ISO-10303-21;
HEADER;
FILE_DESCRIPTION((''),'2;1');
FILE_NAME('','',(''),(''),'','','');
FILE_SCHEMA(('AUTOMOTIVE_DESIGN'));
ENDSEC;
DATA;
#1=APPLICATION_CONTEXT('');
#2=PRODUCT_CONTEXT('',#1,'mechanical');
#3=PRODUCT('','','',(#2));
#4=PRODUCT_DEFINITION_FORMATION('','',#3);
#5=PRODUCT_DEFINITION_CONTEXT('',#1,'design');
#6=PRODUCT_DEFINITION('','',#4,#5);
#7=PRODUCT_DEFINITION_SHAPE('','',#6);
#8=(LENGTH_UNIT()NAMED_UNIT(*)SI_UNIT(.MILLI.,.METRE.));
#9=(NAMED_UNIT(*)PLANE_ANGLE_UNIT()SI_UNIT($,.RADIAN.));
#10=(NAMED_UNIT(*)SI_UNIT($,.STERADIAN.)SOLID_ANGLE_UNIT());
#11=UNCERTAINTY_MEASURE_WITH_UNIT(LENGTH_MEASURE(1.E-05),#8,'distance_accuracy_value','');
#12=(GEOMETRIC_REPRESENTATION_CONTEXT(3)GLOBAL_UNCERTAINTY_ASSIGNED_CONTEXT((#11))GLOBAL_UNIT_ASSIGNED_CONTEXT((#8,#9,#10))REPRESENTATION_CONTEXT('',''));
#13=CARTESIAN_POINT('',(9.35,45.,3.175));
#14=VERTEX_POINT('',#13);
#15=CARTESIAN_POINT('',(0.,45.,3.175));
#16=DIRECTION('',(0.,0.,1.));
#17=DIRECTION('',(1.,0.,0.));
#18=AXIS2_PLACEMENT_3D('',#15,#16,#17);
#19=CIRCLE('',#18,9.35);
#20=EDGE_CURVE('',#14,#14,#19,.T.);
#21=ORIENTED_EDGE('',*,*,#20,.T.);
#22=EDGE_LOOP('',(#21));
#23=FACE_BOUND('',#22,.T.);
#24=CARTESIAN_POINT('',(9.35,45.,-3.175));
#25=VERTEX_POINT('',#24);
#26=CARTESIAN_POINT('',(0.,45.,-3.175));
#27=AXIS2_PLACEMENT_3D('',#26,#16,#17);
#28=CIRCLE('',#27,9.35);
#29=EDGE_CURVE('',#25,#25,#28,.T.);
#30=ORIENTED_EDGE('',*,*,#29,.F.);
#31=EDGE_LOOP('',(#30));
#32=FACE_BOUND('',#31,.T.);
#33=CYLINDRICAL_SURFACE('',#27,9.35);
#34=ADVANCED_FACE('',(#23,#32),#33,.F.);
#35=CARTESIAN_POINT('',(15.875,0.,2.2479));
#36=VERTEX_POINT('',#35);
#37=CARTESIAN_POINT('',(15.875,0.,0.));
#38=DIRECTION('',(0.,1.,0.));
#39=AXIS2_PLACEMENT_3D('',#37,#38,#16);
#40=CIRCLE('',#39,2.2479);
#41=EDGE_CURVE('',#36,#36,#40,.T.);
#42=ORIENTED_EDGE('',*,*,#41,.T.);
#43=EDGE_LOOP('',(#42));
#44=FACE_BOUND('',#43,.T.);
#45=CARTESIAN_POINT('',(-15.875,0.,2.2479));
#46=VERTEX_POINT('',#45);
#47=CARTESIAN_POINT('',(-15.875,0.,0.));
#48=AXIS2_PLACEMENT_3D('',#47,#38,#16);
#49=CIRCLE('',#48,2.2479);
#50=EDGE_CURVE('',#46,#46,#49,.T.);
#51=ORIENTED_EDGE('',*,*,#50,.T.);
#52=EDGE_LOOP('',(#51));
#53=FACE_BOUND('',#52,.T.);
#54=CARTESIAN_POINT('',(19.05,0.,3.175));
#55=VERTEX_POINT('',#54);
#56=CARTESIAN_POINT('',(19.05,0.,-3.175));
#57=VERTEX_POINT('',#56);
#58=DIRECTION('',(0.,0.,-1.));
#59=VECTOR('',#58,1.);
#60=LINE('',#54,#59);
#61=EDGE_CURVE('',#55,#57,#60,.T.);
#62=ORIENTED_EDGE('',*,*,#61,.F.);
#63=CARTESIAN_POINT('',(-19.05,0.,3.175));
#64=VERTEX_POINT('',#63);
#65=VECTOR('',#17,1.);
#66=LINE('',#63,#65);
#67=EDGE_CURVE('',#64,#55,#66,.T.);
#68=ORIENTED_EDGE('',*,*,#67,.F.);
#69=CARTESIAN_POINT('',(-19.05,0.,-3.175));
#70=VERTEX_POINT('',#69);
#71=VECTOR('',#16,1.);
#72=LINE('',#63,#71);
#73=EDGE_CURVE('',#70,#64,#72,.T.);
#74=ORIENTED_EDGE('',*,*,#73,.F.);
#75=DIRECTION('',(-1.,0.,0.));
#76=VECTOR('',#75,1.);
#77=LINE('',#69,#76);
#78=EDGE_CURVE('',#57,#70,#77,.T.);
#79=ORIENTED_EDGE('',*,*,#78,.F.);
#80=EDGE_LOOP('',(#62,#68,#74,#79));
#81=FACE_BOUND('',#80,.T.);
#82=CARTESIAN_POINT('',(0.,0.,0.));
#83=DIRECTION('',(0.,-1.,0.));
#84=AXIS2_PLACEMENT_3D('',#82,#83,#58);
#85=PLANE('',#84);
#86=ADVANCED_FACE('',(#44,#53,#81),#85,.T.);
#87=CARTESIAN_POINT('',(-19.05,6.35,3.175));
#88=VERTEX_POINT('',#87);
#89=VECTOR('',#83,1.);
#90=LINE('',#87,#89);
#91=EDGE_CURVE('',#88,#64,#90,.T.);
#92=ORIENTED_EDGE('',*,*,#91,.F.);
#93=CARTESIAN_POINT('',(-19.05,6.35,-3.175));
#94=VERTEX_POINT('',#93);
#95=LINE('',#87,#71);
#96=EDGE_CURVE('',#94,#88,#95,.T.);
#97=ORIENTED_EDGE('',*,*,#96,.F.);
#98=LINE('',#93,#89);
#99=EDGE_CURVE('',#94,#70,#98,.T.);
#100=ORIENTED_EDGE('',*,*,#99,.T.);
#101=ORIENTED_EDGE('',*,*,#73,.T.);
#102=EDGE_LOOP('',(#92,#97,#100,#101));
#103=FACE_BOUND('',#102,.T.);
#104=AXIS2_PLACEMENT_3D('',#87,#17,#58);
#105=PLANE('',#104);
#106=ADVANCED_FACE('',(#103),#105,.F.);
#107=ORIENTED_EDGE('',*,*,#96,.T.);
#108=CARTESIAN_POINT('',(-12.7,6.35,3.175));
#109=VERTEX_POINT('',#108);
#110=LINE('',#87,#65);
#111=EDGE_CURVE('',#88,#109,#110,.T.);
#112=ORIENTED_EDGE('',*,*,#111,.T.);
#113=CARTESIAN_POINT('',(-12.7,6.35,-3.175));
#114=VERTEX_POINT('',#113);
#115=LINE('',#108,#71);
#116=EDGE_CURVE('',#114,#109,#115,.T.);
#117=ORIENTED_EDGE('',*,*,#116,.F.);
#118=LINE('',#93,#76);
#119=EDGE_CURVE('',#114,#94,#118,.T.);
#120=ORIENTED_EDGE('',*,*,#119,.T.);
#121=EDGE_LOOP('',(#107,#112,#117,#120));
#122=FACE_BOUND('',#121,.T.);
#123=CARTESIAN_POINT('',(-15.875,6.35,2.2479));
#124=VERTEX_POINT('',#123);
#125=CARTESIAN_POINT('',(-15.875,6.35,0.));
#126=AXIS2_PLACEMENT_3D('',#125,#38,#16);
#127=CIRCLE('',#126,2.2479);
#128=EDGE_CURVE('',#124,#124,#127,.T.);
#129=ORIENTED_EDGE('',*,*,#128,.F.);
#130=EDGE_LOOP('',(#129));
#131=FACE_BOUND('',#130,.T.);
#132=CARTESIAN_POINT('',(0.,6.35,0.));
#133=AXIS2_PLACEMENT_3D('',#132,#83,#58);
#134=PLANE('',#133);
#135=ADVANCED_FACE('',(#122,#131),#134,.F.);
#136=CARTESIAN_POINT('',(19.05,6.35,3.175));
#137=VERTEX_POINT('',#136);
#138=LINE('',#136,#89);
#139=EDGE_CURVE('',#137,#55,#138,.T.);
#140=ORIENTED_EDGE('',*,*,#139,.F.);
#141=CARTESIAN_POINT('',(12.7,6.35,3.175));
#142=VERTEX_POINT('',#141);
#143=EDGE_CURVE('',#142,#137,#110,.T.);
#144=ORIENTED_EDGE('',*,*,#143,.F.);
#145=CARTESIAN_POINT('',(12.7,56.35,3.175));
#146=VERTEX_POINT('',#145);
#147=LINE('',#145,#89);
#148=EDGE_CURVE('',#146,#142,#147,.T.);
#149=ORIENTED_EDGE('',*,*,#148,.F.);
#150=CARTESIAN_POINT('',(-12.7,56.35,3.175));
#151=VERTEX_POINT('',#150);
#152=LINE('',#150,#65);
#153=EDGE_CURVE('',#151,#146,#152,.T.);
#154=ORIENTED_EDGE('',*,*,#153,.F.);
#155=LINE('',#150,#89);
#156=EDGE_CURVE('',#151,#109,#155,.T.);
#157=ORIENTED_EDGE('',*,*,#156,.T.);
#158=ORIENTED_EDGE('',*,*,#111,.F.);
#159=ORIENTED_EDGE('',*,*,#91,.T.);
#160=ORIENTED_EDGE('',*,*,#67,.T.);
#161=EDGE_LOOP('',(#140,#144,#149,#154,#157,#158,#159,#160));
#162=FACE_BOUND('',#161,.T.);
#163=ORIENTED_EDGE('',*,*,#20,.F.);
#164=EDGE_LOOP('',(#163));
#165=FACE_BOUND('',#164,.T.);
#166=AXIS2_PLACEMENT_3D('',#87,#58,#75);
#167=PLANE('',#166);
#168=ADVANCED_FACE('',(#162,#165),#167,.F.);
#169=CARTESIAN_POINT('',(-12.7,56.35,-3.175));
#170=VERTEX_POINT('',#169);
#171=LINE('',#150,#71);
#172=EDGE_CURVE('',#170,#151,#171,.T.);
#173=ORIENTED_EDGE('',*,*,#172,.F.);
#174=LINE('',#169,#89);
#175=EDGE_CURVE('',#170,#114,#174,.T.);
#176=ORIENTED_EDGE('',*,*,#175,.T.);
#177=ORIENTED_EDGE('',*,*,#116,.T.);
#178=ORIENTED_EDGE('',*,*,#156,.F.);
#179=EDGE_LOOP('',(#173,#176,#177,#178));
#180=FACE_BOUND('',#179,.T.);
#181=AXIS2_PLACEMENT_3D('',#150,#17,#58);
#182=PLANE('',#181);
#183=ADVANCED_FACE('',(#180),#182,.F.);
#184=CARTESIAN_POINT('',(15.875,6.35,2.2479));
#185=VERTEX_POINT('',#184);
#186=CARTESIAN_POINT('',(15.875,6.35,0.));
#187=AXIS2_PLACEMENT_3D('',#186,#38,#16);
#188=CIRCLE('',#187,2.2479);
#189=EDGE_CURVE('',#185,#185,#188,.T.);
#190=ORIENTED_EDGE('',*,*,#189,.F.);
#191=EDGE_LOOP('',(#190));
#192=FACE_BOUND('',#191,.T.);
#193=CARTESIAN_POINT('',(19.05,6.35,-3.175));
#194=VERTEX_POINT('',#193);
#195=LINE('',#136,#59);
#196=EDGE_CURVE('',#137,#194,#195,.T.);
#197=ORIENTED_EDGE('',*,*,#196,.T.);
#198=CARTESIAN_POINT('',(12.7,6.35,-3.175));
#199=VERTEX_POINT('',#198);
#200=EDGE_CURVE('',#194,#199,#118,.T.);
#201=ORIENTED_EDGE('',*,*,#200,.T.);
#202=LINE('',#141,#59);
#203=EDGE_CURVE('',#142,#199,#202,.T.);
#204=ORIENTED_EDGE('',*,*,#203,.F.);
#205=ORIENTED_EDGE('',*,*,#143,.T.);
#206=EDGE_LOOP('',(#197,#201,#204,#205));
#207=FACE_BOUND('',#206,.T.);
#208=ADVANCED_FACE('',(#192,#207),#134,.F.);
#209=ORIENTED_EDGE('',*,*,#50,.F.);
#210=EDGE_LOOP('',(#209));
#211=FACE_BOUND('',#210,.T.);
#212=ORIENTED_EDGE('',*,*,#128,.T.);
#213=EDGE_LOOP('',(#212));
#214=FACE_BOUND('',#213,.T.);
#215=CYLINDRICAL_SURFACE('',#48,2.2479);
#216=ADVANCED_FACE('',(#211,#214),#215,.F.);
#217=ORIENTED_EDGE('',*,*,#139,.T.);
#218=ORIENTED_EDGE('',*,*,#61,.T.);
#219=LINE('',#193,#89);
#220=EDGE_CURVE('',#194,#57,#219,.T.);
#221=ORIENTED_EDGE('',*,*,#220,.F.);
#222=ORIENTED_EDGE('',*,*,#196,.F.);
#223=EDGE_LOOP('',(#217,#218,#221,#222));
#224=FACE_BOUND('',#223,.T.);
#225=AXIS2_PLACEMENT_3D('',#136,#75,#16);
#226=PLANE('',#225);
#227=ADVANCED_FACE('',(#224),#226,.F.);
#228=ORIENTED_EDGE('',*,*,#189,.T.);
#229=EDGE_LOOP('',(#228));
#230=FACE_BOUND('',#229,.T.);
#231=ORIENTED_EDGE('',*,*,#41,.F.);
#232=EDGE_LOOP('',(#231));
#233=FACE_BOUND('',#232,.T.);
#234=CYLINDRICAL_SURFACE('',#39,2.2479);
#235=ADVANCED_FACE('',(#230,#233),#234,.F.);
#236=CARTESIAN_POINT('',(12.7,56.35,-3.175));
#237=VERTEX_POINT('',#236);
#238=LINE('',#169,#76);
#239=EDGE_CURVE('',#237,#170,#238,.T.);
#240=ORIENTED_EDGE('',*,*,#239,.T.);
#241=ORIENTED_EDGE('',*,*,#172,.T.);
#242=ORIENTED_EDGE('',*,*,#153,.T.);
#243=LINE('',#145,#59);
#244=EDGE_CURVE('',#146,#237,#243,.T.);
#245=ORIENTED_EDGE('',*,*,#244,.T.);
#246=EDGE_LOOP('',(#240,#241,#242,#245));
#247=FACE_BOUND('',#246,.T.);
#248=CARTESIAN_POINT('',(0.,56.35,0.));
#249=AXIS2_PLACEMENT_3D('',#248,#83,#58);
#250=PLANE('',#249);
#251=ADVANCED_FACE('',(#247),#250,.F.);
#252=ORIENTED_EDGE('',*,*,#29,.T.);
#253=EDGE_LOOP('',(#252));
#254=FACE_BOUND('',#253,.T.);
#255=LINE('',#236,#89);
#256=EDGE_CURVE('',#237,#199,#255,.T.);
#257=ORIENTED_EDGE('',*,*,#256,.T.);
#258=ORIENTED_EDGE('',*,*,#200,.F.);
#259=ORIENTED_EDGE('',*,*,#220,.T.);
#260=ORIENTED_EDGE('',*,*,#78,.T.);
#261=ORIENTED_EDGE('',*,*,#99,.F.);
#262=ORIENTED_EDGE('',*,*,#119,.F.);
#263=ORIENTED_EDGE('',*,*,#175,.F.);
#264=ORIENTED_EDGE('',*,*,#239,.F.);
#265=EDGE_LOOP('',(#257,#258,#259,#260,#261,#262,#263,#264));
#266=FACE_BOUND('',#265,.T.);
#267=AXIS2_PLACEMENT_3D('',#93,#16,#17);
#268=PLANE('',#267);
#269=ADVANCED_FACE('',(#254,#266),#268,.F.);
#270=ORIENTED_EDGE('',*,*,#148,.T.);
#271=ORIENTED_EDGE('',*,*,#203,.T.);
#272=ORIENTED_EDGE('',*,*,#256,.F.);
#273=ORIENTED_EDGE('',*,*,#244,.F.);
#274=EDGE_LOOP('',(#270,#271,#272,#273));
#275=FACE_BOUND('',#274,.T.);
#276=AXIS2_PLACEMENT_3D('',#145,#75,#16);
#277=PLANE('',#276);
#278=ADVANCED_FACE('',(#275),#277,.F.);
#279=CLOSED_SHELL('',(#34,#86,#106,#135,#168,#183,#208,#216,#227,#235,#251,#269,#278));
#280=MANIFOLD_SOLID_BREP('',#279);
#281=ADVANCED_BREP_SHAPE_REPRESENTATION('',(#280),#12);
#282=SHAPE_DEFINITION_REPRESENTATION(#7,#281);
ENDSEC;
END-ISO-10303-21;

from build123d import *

# Parameters (mm, degrees)
SKETCH1_W           = 38.1
SKETCH1_H           = 6.35
BOSS_EXTRUDE1_DEPTH = 6.35
SKETCH3_W           = 25.4
SKETCH3_H           = 6.35
BOSS_EXTRUDE2_DEPTH = 50
SKETCH6_R           = 9.35
CUT_EXTRUDE3_DEPTH  = 60.820962045
SKETCH4_R           = 2.2479
CUT_EXTRUDE1_DEPTH  = 54.600215718
SKETCH5_R           = 9.017
CUT_EXTRUDE2_DEPTH  = 60.820962045


with BuildPart() as part:
    # Sketch1 → Boss-Extrude1 (new body)
    with BuildSketch(Plane(origin=(0, 0, 0), x_dir=(1, 0, 0), z_dir=(0, 1, 0))):
        Rectangle(SKETCH1_W, SKETCH1_H)
    extrude(amount=BOSS_EXTRUDE1_DEPTH)

    # Sketch3 → Boss-Extrude2 (add)
    with BuildSketch(Plane(origin=(0, 6.35, 0), x_dir=(1, 0, 0), z_dir=(0, 1, 0))):
        Rectangle(SKETCH3_W, SKETCH3_H)
    extrude(amount=BOSS_EXTRUDE2_DEPTH)

    # Sketch6 → Cut-Extrude3 (cut, through all)
    with BuildSketch(Plane.XY.offset(3.175)):
        with Locations((0, 45)):
            Circle(SKETCH6_R)
    extrude(amount=-CUT_EXTRUDE3_DEPTH, mode=Mode.SUBTRACT)

    # Sketch4 → Cut-Extrude1 (cut, through all)
    with BuildSketch(Plane(origin=(0, 6.35, 0), x_dir=(1, 0, 0), z_dir=(0, 1, 0))):
        with Locations(Location((-15.875, 0, 0), (0, 0, 270))):
            Circle(SKETCH4_R)
        with Locations(Location((15.875, 0, 0), (0, 0, 270))):
            Circle(SKETCH4_R)
    extrude(amount=-CUT_EXTRUDE1_DEPTH, mode=Mode.SUBTRACT)

    # Sketch5 → Cut-Extrude2 (cut, through all)
    with BuildSketch(Plane.XY.offset(3.175)):
        with Locations((0, 45.25679453)):
            Circle(SKETCH5_R)
    extrude(amount=-CUT_EXTRUDE2_DEPTH, mode=Mode.SUBTRACT)


solid = part.part
